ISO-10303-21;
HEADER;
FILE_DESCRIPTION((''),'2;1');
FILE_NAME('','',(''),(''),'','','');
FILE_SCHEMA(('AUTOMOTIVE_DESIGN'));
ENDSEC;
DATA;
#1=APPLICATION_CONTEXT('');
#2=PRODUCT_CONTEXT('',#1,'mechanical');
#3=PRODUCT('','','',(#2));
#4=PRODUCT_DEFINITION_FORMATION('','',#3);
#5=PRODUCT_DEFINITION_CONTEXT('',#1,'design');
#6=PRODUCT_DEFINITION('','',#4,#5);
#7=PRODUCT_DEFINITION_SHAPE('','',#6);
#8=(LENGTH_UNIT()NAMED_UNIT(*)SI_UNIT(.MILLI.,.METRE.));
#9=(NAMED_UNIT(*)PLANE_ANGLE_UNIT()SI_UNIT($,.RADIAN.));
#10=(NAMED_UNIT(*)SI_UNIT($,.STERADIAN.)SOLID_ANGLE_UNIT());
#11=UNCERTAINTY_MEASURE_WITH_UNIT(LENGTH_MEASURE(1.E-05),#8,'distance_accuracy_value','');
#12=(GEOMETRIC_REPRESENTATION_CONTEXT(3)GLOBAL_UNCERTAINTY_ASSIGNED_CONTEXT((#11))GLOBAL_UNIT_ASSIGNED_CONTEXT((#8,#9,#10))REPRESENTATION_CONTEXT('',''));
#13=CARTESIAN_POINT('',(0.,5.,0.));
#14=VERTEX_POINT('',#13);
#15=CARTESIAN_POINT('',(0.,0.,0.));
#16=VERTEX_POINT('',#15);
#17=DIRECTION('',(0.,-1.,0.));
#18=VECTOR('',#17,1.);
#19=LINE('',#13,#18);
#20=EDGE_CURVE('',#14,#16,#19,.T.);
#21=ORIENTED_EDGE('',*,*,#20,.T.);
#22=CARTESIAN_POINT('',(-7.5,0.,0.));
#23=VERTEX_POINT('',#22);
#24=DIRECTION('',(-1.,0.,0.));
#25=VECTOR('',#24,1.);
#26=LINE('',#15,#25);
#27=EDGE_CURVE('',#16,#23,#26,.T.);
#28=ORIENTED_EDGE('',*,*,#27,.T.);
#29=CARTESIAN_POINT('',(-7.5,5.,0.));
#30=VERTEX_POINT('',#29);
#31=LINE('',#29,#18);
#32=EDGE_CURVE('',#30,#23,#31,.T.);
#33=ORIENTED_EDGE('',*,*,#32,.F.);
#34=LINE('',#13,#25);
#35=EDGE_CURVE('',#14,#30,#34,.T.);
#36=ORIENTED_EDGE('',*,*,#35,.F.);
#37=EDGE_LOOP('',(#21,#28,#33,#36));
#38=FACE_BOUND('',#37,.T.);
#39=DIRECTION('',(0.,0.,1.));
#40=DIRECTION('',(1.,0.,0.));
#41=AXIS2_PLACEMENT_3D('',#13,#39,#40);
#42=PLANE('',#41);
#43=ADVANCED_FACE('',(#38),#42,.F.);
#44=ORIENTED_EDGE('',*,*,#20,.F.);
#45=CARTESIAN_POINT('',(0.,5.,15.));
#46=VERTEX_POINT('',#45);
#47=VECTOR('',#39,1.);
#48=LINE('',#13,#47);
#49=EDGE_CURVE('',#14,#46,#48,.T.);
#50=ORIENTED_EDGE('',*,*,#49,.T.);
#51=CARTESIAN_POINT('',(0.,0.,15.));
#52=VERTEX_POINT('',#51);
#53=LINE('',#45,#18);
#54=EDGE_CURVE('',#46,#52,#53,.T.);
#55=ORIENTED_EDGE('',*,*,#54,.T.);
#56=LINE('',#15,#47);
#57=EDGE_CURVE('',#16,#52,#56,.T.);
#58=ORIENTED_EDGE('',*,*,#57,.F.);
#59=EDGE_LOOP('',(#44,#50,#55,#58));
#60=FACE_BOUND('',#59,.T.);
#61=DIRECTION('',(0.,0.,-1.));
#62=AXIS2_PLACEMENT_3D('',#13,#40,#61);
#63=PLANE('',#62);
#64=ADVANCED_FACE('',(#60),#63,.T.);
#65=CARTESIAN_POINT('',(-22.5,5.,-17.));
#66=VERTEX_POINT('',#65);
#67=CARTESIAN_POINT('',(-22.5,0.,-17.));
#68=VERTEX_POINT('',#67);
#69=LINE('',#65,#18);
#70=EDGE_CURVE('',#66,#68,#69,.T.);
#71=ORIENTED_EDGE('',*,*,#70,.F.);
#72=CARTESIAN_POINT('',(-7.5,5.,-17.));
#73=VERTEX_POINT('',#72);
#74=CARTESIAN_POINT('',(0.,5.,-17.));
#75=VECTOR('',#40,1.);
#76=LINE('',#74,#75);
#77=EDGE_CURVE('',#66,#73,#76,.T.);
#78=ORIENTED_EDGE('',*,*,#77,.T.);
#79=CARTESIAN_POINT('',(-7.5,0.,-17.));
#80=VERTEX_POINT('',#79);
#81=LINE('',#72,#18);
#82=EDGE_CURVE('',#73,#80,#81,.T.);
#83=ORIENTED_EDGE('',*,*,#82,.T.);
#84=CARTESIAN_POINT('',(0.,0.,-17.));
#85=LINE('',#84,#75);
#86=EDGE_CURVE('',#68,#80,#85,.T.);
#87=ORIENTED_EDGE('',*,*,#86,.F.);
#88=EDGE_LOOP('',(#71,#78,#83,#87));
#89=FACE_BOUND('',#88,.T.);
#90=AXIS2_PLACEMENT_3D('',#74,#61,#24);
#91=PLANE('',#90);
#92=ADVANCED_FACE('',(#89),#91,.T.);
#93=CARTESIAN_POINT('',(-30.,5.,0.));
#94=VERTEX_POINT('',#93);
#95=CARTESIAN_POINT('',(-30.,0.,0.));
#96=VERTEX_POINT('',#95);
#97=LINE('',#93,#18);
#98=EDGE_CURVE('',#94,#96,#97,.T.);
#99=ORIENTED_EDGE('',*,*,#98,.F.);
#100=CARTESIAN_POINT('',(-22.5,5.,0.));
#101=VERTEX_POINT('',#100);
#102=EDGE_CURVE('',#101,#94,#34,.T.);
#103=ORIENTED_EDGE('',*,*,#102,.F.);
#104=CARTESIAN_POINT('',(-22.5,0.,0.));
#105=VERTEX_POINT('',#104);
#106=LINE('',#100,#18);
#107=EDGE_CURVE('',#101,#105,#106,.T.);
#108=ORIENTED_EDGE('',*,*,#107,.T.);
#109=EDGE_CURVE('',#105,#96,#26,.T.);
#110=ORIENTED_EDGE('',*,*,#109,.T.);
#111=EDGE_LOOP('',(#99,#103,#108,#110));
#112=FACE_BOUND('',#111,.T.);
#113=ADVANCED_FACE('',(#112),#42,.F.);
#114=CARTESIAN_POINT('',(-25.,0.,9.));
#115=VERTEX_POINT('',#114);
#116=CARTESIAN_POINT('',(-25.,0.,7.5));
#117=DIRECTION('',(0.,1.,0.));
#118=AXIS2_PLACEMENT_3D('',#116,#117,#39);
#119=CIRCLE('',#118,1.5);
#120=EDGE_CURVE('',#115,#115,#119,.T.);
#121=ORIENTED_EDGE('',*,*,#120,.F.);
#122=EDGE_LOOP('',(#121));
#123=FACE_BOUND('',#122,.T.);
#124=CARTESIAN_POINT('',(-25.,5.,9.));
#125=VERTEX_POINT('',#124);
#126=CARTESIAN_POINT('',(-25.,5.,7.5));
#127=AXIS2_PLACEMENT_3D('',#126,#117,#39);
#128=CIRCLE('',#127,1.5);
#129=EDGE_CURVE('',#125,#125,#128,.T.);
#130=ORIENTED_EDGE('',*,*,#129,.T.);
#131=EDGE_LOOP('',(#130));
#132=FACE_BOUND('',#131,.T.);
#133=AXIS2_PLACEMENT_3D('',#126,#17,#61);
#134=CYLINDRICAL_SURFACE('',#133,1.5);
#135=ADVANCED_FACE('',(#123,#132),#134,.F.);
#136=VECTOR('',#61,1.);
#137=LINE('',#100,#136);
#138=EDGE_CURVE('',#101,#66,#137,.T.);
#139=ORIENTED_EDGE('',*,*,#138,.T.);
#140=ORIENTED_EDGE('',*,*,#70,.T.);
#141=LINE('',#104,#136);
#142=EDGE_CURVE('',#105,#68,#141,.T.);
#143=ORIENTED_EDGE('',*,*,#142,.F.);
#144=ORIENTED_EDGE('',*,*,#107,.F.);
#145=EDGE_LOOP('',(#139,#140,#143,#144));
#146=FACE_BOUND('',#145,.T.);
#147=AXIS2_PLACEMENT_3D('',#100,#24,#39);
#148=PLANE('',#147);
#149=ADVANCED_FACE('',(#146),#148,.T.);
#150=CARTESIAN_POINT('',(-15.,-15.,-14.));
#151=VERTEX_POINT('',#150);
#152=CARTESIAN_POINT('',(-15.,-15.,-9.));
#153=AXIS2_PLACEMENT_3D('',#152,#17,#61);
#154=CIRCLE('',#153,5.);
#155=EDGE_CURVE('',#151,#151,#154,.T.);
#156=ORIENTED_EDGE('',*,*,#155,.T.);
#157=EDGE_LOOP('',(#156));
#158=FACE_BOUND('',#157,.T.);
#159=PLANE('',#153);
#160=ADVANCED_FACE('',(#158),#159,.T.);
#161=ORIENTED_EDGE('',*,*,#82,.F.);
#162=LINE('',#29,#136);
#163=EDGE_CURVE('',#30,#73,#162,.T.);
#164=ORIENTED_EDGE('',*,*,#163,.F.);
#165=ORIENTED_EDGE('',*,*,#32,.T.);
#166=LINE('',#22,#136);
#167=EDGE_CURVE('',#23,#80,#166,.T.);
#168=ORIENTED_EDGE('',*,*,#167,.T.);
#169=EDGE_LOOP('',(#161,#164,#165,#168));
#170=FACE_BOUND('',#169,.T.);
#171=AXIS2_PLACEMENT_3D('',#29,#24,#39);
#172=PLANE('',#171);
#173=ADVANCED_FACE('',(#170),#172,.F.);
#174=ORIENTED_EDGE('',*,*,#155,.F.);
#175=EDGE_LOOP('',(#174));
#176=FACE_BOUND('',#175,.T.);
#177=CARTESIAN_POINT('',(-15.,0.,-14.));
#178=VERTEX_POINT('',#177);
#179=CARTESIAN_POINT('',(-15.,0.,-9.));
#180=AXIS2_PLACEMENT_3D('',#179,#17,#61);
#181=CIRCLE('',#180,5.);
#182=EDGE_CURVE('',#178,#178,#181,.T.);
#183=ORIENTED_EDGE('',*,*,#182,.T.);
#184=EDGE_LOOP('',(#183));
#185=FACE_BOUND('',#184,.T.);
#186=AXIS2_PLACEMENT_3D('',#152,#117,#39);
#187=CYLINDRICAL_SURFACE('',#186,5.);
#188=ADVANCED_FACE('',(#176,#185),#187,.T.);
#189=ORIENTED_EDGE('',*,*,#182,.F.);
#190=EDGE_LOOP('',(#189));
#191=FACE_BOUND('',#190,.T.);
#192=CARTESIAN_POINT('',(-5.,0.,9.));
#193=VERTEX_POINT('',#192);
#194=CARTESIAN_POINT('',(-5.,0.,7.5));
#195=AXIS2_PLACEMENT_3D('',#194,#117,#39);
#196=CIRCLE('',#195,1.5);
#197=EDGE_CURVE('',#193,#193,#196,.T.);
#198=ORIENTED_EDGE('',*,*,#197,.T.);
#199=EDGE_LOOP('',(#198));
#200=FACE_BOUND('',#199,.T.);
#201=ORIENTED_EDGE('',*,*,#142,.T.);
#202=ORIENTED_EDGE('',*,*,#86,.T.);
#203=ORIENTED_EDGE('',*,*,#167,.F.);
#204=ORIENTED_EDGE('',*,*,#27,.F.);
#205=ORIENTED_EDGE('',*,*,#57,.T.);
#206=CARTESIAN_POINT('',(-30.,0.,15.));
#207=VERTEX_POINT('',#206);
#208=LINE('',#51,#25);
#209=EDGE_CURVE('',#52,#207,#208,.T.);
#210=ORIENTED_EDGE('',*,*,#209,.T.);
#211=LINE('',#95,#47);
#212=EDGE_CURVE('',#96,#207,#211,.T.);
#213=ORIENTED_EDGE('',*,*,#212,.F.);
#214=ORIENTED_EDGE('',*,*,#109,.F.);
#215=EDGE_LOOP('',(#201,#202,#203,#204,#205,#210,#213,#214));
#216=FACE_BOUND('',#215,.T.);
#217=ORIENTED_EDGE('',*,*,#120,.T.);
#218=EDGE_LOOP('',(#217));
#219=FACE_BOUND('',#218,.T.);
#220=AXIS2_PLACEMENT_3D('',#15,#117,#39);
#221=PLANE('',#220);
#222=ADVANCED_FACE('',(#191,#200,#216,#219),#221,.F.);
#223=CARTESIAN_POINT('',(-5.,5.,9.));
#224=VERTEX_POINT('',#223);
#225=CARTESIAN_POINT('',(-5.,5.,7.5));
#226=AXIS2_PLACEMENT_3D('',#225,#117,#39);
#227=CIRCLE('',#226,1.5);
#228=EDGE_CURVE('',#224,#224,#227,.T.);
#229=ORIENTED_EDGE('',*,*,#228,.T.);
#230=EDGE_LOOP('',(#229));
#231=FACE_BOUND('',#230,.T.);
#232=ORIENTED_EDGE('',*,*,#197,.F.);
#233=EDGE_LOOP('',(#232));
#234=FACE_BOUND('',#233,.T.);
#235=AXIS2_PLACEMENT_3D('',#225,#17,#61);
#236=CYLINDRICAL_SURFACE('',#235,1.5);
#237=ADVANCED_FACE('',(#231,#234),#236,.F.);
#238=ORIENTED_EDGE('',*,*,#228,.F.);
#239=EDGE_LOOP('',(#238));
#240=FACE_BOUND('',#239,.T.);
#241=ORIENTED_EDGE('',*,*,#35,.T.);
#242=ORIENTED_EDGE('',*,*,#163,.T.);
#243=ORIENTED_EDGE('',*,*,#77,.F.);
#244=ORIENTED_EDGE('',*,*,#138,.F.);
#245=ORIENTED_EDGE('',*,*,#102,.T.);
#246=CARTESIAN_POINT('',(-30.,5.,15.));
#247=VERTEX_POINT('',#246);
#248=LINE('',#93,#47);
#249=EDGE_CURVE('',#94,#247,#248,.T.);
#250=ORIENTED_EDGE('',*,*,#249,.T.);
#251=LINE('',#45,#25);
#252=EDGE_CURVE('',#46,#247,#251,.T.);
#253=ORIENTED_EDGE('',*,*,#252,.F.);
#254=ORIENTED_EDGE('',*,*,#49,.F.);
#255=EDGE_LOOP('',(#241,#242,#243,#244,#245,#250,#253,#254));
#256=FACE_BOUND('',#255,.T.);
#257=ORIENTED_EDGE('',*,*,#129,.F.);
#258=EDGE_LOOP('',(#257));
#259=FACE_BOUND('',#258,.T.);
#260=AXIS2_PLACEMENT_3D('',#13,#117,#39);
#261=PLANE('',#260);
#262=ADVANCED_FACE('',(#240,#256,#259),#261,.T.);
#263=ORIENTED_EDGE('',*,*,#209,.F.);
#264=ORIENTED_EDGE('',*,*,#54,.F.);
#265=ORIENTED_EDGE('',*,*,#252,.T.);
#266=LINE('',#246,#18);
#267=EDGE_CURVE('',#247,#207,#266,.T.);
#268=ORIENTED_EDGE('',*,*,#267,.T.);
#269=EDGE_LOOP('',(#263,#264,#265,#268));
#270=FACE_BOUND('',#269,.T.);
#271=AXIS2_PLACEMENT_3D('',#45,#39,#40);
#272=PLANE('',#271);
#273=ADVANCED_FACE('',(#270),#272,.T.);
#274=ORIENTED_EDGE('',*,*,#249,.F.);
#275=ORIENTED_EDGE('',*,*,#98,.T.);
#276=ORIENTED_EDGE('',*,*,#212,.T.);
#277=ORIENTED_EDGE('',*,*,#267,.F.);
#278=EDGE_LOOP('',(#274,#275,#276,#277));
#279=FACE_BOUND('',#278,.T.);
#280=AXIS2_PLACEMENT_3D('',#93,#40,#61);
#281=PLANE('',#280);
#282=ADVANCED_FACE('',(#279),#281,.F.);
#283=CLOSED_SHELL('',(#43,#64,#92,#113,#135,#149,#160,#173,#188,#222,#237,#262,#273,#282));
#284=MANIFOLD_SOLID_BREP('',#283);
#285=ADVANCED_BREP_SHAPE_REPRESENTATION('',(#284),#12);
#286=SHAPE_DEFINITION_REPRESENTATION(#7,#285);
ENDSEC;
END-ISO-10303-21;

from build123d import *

# Parameters (mm, degrees)
SKETCH1_W           = 30
SKETCH1_H           = 15
SKETCH1_R           = 1.5
SKETCH1_W_2         = 15
SKETCH1_H_2         = 17
SKETCH1_R_2         = 5
BOSS_EXTRUDE1_DEPTH = 5
SKETCH3_R           = 5
BOSS_EXTRUDE2_DEPTH = 15


with BuildPart() as part:
    # Sketch1 → Boss-Extrude1 (new body)
    # profile 1 of 3: a face of its own
    with BuildSketch(Plane(origin=(0, 0, 0), x_dir=(1, 0, 0), z_dir=(0, 1, 0))):
        with Locations((-15, -7.5)):
            Rectangle(SKETCH1_W, SKETCH1_H)
        with Locations(Location((-5, -7.5, 0), (0, 0, 270))):
            Circle(SKETCH1_R, mode=Mode.SUBTRACT)
        with Locations(Location((-25, -7.5, 0), (0, 0, 270))):
            Circle(SKETCH1_R, mode=Mode.SUBTRACT)
    # profile 2 of 3: a face of its own
    with BuildSketch(Plane(origin=(0, 0, 0), x_dir=(1, 0, 0), z_dir=(0, 1, 0))):
        with Locations((-15, 8.5)):
            Rectangle(SKETCH1_W_2, SKETCH1_H_2)
        with Locations((-15, 9)):
            Circle(SKETCH1_R_2, mode=Mode.SUBTRACT)
    # profile 3 of 3: a face of its own
    with BuildSketch(Plane(origin=(0, 0, 0), x_dir=(1, 0, 0), z_dir=(0, 1, 0))):
        with Locations((-15, 9)):
            Circle(SKETCH1_R_2)
    extrude(amount=BOSS_EXTRUDE1_DEPTH)

    # Sketch3 → Boss-Extrude2 (add)
    with BuildSketch(Plane.XZ):
        with Locations(Location((-15, -9, 0), (0, 0, 270))):
            Circle(SKETCH3_R)
    extrude(amount=BOSS_EXTRUDE2_DEPTH)


solid = part.part
